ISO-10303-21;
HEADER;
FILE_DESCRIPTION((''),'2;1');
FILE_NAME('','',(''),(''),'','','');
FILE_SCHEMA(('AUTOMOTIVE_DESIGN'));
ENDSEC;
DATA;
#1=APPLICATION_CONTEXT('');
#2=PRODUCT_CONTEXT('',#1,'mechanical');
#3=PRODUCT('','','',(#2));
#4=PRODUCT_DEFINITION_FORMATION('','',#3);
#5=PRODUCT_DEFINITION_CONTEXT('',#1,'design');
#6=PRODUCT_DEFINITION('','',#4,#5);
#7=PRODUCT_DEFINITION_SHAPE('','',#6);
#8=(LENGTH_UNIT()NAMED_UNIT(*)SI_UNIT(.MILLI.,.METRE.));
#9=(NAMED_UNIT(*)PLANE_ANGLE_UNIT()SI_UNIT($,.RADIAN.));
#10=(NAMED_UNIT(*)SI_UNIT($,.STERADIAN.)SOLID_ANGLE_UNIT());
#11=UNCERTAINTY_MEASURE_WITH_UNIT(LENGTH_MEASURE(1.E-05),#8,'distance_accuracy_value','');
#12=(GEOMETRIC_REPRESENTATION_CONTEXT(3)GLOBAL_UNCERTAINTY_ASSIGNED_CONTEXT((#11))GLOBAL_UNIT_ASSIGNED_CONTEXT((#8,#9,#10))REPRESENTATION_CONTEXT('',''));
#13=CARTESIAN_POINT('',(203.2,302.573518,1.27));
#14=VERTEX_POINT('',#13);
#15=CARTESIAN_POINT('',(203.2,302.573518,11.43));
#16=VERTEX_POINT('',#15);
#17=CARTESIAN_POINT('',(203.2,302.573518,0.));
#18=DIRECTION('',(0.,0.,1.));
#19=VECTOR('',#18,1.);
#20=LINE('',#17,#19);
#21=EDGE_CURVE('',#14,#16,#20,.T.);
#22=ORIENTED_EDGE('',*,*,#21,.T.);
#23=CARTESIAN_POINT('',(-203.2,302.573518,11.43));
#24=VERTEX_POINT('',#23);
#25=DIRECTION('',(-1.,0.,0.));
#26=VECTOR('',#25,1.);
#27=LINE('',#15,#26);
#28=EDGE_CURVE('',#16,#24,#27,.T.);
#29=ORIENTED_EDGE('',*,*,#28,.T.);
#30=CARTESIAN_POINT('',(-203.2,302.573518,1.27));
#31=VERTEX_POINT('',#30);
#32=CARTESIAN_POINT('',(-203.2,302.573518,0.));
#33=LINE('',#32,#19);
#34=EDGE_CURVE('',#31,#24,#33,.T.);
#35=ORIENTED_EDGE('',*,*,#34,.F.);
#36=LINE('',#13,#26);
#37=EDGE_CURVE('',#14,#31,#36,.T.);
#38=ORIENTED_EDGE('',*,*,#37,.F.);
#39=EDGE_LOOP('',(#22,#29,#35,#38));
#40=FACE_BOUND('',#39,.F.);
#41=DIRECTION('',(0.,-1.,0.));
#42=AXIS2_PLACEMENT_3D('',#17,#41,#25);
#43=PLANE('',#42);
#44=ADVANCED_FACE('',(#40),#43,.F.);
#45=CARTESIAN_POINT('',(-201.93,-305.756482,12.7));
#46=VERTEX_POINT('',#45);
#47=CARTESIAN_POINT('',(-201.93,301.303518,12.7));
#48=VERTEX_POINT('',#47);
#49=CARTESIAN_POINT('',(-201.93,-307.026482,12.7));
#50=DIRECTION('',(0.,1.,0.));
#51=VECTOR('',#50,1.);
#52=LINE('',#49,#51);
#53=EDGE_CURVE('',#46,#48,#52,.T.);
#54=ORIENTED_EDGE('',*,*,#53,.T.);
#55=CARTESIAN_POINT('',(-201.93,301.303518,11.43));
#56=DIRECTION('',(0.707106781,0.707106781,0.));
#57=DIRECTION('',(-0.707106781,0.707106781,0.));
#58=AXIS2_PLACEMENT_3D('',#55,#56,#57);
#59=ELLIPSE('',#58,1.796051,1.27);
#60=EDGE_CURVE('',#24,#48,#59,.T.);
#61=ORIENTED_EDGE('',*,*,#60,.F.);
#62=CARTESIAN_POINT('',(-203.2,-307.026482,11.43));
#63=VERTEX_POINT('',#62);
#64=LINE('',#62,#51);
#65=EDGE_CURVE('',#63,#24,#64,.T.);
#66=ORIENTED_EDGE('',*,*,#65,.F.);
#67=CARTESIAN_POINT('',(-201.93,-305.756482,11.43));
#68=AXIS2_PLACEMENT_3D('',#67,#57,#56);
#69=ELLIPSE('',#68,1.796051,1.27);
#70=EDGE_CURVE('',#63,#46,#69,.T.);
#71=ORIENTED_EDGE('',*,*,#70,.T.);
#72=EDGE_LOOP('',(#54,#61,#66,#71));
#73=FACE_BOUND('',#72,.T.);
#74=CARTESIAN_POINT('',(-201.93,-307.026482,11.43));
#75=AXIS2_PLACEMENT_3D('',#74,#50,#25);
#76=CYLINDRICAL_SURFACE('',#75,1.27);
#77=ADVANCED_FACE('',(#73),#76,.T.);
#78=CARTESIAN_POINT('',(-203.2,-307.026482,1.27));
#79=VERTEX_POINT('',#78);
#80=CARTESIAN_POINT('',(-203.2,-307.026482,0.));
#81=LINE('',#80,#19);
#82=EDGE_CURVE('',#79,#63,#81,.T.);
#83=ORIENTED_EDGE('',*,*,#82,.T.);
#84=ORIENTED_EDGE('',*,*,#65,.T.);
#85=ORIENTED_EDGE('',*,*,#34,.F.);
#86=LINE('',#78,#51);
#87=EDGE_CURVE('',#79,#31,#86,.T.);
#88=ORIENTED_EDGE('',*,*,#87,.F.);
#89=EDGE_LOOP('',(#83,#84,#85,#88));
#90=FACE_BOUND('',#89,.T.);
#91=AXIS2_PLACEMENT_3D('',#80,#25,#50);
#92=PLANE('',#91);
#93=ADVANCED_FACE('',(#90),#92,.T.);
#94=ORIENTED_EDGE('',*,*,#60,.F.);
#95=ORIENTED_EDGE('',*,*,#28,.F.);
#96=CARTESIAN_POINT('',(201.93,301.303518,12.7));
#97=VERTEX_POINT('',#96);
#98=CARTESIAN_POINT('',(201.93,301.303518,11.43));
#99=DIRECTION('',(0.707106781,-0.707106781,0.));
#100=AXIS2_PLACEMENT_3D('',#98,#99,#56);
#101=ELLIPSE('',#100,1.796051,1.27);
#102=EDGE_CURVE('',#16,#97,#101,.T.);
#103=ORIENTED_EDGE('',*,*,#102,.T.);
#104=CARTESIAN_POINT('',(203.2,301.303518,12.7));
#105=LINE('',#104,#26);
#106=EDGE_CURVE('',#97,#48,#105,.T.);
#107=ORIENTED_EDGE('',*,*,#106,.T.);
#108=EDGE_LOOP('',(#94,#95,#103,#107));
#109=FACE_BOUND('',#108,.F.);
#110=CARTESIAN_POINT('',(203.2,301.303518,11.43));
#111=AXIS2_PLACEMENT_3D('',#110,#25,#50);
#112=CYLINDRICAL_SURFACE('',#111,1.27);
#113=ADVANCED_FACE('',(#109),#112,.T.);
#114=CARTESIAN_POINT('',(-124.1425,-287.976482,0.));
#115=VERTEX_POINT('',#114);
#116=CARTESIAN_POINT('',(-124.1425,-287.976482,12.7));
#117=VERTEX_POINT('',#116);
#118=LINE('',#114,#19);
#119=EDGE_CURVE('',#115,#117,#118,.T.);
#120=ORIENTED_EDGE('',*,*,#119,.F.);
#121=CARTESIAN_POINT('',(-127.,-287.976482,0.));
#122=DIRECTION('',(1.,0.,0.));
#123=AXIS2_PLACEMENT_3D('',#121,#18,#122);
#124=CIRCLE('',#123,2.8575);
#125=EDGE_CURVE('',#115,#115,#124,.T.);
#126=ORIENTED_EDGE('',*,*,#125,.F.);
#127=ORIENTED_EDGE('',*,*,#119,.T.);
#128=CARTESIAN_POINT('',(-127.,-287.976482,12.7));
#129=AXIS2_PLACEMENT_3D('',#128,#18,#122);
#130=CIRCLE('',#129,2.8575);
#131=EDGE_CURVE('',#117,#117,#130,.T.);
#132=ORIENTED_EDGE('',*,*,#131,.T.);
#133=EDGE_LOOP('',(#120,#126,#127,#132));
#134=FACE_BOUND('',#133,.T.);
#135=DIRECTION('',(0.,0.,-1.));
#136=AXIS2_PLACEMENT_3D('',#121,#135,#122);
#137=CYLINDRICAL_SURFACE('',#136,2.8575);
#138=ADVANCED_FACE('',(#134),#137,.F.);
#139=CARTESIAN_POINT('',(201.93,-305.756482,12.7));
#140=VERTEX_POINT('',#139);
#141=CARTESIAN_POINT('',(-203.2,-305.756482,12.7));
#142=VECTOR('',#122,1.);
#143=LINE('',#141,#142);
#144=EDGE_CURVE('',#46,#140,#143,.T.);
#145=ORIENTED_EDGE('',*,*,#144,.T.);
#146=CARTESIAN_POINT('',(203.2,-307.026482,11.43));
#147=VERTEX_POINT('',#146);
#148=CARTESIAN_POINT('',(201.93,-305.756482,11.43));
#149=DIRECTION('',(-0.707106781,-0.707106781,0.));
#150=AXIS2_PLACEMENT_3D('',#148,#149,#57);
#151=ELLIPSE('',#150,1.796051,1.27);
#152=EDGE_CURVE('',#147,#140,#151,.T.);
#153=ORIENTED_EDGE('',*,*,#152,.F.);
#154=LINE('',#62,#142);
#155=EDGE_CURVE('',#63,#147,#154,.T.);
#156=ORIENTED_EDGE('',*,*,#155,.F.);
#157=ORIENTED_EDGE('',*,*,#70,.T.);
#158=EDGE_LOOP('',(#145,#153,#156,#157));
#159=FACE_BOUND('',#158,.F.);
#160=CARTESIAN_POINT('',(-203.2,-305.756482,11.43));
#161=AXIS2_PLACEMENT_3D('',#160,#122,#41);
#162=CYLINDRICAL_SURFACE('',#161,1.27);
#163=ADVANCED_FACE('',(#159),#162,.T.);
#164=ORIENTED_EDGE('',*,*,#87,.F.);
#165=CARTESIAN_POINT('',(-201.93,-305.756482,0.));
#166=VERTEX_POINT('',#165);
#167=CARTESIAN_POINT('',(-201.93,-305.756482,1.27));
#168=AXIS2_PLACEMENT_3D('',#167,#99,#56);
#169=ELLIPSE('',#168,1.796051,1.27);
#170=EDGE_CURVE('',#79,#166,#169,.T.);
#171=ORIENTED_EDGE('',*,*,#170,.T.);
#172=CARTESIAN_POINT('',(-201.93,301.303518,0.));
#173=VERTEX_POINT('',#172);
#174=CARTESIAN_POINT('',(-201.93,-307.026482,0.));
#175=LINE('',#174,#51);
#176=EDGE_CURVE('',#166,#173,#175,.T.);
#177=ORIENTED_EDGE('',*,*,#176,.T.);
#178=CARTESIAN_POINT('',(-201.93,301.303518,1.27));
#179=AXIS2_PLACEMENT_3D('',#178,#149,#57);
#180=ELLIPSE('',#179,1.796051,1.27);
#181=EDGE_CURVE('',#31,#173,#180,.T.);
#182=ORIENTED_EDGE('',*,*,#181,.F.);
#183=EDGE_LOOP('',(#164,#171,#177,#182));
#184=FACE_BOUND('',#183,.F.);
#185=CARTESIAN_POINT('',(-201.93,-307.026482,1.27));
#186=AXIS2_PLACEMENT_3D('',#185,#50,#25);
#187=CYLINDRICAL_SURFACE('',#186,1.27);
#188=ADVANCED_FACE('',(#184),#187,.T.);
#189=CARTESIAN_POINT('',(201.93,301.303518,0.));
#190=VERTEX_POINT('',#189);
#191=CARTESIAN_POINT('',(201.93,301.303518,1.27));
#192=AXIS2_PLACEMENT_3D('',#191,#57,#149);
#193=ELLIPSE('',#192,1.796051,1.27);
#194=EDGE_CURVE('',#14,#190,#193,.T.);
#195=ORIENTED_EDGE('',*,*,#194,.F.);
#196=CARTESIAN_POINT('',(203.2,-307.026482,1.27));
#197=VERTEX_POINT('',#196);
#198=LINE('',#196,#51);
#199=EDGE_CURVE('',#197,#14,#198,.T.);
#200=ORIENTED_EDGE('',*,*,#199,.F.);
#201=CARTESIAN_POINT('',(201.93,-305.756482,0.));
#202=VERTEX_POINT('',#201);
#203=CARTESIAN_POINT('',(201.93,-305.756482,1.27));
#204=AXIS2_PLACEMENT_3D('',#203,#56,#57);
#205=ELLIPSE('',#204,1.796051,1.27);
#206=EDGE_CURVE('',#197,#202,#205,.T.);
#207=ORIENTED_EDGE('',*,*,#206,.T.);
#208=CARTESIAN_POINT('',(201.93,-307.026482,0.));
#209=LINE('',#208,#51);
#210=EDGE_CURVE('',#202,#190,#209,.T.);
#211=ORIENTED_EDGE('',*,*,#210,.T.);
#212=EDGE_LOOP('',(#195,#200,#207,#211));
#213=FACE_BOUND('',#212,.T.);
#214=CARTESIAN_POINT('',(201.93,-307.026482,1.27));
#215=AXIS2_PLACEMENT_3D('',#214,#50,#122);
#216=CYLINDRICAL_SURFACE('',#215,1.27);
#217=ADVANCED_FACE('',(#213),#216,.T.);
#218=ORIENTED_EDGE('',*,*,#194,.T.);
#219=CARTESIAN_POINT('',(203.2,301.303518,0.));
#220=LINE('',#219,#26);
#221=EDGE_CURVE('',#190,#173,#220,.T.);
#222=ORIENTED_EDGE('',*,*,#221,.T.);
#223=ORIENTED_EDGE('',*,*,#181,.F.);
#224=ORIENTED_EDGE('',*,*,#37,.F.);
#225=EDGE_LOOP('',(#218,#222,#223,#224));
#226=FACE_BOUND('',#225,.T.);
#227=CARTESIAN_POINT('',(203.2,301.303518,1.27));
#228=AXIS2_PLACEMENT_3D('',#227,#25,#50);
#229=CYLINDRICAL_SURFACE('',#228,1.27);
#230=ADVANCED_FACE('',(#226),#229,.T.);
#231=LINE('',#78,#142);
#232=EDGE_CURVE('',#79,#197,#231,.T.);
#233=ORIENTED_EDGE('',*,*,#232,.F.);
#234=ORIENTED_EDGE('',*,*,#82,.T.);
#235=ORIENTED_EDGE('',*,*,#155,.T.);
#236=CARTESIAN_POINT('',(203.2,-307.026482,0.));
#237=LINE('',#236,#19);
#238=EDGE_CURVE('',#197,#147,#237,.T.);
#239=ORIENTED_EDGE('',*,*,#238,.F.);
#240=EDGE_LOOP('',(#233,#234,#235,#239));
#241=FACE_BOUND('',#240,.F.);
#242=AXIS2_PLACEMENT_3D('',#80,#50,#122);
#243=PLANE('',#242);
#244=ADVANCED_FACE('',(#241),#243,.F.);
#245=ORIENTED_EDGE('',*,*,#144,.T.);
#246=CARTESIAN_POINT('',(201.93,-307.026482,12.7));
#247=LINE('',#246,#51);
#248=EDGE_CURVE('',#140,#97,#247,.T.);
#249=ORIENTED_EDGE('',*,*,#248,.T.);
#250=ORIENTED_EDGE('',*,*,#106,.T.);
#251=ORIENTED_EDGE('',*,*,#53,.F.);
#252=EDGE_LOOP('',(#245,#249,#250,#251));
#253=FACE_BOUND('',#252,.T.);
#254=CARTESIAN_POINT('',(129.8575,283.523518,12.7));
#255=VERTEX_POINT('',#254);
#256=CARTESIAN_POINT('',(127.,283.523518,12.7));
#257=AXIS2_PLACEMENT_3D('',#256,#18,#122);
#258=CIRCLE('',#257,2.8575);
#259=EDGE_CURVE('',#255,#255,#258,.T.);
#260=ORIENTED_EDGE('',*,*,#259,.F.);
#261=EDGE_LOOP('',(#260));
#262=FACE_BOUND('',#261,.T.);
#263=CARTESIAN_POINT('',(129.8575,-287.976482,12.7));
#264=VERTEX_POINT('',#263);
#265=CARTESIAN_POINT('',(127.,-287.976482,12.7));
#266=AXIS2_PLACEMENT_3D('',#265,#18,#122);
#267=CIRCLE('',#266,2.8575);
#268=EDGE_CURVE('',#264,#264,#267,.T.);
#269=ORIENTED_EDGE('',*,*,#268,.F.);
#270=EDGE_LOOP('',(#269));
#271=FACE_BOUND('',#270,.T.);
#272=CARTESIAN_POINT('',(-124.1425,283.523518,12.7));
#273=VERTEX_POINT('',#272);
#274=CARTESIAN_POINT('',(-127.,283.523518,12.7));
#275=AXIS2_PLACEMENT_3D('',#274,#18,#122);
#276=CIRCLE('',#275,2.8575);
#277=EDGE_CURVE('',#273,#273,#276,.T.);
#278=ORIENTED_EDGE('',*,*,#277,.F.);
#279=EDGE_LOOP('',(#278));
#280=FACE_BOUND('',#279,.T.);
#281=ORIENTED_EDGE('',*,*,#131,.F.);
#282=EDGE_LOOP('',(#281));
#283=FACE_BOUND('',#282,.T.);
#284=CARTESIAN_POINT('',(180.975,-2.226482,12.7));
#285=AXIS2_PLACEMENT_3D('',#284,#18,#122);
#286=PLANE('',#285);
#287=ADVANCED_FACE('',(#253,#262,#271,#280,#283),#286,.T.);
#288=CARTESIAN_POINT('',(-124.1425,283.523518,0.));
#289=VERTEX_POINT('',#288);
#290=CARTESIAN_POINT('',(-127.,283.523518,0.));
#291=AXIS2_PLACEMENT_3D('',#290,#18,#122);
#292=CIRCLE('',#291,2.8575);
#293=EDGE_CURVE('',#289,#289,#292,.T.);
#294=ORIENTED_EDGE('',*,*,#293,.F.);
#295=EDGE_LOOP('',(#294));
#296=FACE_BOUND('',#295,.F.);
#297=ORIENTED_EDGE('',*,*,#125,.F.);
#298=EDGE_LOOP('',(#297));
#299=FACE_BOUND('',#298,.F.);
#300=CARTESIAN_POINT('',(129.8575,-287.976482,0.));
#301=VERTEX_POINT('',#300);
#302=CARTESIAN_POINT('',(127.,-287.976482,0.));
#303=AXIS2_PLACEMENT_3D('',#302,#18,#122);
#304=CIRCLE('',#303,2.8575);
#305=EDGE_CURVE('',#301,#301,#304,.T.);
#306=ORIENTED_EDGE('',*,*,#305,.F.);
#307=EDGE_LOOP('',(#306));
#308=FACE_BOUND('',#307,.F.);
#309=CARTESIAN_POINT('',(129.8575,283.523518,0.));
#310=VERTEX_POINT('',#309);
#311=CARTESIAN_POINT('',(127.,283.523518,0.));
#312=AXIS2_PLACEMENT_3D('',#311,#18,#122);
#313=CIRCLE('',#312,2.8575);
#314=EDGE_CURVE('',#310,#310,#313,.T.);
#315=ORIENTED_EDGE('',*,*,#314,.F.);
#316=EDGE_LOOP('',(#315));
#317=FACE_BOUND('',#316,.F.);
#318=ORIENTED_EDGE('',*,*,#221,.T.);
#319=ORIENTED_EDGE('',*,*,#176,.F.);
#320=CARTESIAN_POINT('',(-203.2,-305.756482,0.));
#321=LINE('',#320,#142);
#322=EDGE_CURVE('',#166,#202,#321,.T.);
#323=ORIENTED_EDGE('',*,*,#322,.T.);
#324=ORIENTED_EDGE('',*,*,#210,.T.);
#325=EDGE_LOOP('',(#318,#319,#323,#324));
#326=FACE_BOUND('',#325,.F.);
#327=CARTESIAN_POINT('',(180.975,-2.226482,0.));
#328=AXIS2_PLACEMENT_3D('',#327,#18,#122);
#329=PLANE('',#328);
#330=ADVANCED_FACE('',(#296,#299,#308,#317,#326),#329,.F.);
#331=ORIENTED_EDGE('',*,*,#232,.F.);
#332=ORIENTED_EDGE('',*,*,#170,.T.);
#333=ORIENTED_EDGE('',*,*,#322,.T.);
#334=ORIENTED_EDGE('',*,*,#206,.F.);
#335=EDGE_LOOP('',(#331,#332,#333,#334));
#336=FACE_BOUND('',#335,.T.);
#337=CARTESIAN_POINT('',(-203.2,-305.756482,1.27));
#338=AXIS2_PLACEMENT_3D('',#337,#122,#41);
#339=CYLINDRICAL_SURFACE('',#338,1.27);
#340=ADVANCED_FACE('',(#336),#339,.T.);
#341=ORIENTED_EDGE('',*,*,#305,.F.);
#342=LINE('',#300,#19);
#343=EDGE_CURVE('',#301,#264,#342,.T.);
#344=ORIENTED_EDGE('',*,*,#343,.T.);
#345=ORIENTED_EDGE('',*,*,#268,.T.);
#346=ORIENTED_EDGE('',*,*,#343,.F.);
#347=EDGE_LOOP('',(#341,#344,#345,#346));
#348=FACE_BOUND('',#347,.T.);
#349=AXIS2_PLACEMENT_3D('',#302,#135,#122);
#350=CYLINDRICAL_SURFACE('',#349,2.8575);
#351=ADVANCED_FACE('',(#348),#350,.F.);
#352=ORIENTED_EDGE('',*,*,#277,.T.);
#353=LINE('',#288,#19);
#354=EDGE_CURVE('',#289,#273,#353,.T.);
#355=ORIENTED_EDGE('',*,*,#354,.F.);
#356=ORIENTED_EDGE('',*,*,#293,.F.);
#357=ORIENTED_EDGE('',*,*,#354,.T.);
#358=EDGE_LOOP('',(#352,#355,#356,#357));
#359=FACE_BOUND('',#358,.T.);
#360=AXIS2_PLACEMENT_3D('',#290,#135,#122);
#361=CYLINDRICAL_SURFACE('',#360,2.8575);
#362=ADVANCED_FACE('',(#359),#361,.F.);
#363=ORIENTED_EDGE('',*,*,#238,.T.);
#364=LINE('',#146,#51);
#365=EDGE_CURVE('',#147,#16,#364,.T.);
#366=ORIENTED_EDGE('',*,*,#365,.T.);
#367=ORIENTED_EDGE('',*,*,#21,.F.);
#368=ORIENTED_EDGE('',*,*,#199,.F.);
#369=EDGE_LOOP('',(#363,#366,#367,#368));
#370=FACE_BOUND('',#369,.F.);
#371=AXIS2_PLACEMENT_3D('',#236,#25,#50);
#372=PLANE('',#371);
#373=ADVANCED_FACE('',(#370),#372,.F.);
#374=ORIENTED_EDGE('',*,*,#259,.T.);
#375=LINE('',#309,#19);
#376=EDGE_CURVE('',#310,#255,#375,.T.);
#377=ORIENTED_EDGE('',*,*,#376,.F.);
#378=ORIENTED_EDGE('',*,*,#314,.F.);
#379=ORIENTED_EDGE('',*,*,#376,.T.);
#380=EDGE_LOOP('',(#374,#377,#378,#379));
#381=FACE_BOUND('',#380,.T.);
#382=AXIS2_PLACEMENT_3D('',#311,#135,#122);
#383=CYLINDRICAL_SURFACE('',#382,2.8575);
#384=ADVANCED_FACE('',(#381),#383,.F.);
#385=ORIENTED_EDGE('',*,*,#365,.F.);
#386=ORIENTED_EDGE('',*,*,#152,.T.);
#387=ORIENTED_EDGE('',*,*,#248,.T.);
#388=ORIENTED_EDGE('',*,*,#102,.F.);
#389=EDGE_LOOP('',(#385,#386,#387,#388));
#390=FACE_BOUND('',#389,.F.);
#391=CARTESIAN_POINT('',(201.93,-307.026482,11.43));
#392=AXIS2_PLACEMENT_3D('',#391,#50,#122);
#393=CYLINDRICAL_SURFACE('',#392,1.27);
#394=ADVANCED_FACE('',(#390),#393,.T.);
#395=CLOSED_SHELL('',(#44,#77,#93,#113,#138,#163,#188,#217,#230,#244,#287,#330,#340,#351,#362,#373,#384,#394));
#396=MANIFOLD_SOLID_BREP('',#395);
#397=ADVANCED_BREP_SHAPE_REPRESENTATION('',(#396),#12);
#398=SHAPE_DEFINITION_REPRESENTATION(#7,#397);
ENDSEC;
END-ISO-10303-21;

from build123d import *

# Parameters (mm, degrees)
F0_W     = 44.45
F0_H     = 609.6
F0_R     = 2.8575
F0_W_2   = 317.5
F1_DEPTH = 12.7
F2_R     = 1.27


with BuildPart() as f1:
    # F0 (on Top) → F1 (new body)
    with BuildSketch(Plane.XY):
        with Locations((180.975, -2.226482)):
            Rectangle(F0_W, F0_H)
        with Locations((184.15, -230.826482)):
            Circle(F0_R, mode=Mode.SUBTRACT)
        with Locations((184.15, 226.373518)):
            Circle(F0_R, mode=Mode.SUBTRACT)
        with Locations((0, -2.226482)):
            Rectangle(F0_W_2, F0_H)
        with Locations((-127, -287.976482)):
            Circle(F0_R, mode=Mode.SUBTRACT)
        with Locations((127, -287.976482)):
            Circle(F0_R, mode=Mode.SUBTRACT)
        with Locations((-127, 283.523518)):
            Circle(F0_R, mode=Mode.SUBTRACT)
        with Locations((127, 283.523518)):
            Circle(F0_R, mode=Mode.SUBTRACT)
        with Locations((-180.975, -2.226482)):
            Rectangle(F0_W, F0_H)
        with Locations((-184.15, -230.826482)):
            Circle(F0_R, mode=Mode.SUBTRACT)
        with Locations((-184.15, 226.373518)):
            Circle(F0_R, mode=Mode.SUBTRACT)
        with Locations((-184.15, 226.373518)):
            Circle(F0_R)
        with Locations((-184.15, -230.826482)):
            Circle(F0_R)
        with Locations((184.15, -230.826482)):
            Circle(F0_R)
        with Locations((184.15, 226.373518)):
            Circle(F0_R)
    extrude(amount=F1_DEPTH)

    # F2
    f2_edges = [f1.edges().sort_by_distance(p)[0] for p in [
        (0, 302.573518, 0),
        (-203.2, -2.226482, 0),
        (203.2, -2.226482, 0),
        (0, -307.026482, 0),
        (203.2, -2.226482, 12.7),
        (0, -307.026482, 12.7),
        (-203.2, -2.226482, 12.7),
        (0, 302.573518, 12.7),
    ]]
    fillet(f2_edges, radius=F2_R)


solid = f1.part
